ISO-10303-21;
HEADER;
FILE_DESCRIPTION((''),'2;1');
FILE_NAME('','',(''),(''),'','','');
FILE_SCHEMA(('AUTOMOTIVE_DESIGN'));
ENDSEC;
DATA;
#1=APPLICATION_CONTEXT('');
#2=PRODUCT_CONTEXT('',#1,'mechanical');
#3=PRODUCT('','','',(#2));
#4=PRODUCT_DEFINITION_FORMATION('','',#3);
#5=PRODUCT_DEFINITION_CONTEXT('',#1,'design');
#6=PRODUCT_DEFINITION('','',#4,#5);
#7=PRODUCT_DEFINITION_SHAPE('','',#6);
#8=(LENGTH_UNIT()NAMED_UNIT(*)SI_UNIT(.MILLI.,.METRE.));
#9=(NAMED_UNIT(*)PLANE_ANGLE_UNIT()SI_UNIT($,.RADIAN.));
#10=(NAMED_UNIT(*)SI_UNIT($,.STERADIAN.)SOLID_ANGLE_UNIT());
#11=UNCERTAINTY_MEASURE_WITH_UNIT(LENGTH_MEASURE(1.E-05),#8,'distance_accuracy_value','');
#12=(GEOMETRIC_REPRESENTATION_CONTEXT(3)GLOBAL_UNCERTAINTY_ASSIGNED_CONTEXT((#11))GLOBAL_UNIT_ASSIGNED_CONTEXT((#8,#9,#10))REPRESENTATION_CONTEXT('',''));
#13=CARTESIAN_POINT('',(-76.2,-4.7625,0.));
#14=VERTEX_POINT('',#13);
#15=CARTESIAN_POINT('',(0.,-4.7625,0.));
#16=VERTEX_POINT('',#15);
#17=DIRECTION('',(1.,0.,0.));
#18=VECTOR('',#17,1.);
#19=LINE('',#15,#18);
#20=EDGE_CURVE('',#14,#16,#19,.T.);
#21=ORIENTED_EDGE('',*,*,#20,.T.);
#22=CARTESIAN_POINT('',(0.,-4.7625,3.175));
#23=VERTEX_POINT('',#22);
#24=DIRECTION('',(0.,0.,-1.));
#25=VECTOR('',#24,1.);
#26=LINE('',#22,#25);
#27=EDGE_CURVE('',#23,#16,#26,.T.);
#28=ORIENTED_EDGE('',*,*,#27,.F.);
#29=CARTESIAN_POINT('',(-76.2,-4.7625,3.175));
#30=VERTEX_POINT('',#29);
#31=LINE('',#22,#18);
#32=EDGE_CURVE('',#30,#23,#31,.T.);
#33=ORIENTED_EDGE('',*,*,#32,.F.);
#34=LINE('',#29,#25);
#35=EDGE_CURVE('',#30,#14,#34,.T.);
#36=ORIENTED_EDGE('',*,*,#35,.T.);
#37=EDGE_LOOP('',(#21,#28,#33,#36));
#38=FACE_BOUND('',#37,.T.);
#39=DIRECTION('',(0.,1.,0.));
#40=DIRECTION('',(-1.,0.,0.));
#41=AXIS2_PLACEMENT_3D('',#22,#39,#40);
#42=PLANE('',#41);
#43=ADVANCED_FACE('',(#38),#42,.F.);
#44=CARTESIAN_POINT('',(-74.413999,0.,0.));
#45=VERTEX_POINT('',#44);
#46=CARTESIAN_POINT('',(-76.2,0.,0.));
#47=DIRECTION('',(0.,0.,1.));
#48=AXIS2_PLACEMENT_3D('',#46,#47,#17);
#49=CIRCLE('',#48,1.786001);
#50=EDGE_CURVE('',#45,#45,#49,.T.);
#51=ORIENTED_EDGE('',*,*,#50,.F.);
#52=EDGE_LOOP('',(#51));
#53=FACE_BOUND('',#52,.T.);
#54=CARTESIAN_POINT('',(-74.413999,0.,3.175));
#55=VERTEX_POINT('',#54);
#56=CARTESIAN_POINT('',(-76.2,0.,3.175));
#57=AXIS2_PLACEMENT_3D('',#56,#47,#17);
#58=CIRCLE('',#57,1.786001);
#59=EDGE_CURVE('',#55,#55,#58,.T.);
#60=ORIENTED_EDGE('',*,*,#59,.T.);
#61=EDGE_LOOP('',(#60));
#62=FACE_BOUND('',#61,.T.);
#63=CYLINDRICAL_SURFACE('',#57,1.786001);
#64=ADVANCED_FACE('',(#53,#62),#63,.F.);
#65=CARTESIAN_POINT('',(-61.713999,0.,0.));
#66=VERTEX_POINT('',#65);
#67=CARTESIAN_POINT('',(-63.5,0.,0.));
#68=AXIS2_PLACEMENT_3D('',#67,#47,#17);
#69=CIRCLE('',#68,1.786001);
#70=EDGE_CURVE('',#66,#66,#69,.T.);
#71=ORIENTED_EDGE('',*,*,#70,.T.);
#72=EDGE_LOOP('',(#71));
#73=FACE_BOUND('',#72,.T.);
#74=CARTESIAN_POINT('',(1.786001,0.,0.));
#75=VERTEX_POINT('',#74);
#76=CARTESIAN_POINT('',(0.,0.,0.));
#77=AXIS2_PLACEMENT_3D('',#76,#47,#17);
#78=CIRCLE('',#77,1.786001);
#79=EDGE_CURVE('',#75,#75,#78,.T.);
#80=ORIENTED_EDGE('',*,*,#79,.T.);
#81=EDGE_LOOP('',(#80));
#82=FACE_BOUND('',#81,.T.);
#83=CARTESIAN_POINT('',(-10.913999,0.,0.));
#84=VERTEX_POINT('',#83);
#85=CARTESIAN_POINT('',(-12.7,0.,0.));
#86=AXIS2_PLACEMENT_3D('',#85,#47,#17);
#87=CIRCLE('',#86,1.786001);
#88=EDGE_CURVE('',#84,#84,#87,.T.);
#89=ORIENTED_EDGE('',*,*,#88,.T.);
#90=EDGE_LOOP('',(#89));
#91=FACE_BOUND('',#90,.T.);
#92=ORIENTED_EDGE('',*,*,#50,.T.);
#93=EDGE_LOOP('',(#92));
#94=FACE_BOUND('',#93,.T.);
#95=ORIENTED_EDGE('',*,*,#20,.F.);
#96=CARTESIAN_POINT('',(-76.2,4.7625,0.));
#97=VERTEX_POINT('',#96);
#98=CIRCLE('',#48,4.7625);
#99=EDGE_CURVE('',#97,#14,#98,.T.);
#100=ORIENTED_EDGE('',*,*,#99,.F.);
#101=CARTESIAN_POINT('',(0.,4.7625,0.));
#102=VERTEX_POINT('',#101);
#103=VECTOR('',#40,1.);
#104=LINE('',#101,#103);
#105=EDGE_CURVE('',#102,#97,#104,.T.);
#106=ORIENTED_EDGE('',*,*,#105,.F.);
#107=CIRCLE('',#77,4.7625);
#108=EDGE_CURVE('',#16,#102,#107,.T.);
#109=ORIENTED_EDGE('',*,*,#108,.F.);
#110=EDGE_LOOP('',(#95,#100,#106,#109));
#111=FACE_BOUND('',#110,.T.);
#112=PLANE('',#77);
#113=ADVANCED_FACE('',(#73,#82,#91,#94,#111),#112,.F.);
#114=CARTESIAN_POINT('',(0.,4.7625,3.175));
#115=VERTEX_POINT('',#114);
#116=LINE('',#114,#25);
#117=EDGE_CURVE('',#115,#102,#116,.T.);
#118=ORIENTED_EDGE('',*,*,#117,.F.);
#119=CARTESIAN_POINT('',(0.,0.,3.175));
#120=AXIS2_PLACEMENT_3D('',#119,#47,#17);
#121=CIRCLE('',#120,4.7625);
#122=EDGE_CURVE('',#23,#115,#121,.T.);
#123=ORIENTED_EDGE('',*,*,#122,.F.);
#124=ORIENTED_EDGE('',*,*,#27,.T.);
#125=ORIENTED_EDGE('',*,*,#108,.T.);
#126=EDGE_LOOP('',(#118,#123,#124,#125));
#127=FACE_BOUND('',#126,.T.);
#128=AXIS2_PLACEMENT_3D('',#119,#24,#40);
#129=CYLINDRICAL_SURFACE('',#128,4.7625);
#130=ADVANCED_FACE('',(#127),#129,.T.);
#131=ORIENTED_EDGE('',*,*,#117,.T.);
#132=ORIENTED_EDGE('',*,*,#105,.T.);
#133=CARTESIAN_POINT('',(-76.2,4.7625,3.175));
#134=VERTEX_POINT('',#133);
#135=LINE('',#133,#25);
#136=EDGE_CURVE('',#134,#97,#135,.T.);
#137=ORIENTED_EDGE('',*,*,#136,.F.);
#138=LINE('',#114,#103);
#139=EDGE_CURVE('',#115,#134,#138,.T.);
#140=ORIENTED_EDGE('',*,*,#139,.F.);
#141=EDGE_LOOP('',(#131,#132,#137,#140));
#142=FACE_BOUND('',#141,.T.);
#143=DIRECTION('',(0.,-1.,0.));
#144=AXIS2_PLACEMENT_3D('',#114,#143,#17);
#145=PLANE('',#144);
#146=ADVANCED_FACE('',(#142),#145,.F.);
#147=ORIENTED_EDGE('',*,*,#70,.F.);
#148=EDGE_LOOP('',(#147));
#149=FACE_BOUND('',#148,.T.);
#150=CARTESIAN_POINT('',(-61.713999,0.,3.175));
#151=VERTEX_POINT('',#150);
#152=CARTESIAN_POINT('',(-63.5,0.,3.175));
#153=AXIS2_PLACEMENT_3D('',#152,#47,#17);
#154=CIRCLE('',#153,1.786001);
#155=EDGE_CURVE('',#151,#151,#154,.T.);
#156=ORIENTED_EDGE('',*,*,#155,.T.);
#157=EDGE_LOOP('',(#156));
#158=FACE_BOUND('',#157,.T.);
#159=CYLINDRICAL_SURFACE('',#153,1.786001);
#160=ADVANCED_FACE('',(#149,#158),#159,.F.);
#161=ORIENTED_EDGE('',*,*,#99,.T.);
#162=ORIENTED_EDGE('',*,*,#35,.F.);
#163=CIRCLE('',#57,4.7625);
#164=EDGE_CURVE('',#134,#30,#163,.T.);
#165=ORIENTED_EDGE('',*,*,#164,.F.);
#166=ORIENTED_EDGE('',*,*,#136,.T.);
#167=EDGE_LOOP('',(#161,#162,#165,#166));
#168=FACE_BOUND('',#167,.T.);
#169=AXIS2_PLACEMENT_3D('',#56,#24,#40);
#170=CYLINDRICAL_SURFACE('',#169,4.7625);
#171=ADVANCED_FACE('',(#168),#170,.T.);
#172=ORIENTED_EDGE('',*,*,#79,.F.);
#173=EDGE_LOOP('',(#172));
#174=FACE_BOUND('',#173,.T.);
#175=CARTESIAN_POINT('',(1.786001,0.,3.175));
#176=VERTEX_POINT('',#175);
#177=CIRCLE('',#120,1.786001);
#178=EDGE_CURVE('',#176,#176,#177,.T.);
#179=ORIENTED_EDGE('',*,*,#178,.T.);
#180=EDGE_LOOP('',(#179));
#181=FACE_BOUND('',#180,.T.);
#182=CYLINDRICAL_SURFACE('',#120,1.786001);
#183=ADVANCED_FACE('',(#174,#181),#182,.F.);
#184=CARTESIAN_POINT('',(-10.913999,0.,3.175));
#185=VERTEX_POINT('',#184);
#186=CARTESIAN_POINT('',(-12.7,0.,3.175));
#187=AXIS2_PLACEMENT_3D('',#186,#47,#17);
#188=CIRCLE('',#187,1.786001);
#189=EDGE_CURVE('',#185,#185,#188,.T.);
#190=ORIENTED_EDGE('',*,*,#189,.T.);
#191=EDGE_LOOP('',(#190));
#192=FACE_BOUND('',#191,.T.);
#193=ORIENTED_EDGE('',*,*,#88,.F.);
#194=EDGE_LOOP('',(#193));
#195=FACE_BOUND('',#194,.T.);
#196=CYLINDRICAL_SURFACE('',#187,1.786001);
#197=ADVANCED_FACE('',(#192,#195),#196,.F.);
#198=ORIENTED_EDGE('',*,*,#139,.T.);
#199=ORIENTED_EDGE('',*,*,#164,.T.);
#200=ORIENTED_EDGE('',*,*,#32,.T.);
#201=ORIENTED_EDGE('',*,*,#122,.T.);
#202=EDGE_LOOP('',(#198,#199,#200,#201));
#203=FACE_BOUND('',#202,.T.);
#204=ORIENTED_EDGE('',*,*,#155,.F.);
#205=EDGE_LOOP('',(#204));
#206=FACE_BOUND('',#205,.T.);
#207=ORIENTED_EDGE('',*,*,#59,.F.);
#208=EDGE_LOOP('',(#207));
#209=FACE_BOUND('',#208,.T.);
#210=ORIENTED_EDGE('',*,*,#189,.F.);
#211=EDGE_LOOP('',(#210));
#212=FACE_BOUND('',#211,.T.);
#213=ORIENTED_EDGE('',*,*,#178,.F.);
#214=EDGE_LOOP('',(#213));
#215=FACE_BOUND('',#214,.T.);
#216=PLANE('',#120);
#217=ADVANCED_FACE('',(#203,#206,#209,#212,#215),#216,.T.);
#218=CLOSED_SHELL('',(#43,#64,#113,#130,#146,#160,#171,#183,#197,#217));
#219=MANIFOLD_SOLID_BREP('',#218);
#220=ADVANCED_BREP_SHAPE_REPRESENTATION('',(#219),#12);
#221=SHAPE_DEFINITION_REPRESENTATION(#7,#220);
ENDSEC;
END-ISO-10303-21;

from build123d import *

# Parameters (mm, degrees)
BOSS_EXTRUDE1_DEPTH             = 3.175
F_9_64_0_14063_DIAMETER_HOLE1_D = 3.572002
F_9_64_0_14063_DIAMETER_HOLE2_D = 3.572002


with BuildPart() as part:
    # Sketch1 → Boss-Extrude1 (new body)
    with BuildSketch(Plane.XY):
        with BuildLine():
            Line((0, -4.7625), (-76.2, -4.7625))
            ThreePointArc((-76.2, -4.7625), (-80.9625, 0), (-76.2, 4.7625))
            Line((-76.2, 4.7625), (0, 4.7625))
            ThreePointArc((0, 4.7625), (4.7625, 0), (0, -4.7625))
        make_face()
    extrude(amount=BOSS_EXTRUDE1_DEPTH)

    # 9/64 (0.14063) Diameter Hole1 (through all)
    with Locations(Plane.XY.offset(3.175)):
        with Locations((0, 0), (-76.2, 0)):
            Hole(F_9_64_0_14063_DIAMETER_HOLE1_D / 2)

    # 9/64 (0.14063) Diameter Hole2 (through all)
    with Locations(Plane.XY.offset(3.175)):
        with Locations((-12.7, 0), (-63.5, 0)):
            Hole(F_9_64_0_14063_DIAMETER_HOLE2_D / 2)


solid = part.part
